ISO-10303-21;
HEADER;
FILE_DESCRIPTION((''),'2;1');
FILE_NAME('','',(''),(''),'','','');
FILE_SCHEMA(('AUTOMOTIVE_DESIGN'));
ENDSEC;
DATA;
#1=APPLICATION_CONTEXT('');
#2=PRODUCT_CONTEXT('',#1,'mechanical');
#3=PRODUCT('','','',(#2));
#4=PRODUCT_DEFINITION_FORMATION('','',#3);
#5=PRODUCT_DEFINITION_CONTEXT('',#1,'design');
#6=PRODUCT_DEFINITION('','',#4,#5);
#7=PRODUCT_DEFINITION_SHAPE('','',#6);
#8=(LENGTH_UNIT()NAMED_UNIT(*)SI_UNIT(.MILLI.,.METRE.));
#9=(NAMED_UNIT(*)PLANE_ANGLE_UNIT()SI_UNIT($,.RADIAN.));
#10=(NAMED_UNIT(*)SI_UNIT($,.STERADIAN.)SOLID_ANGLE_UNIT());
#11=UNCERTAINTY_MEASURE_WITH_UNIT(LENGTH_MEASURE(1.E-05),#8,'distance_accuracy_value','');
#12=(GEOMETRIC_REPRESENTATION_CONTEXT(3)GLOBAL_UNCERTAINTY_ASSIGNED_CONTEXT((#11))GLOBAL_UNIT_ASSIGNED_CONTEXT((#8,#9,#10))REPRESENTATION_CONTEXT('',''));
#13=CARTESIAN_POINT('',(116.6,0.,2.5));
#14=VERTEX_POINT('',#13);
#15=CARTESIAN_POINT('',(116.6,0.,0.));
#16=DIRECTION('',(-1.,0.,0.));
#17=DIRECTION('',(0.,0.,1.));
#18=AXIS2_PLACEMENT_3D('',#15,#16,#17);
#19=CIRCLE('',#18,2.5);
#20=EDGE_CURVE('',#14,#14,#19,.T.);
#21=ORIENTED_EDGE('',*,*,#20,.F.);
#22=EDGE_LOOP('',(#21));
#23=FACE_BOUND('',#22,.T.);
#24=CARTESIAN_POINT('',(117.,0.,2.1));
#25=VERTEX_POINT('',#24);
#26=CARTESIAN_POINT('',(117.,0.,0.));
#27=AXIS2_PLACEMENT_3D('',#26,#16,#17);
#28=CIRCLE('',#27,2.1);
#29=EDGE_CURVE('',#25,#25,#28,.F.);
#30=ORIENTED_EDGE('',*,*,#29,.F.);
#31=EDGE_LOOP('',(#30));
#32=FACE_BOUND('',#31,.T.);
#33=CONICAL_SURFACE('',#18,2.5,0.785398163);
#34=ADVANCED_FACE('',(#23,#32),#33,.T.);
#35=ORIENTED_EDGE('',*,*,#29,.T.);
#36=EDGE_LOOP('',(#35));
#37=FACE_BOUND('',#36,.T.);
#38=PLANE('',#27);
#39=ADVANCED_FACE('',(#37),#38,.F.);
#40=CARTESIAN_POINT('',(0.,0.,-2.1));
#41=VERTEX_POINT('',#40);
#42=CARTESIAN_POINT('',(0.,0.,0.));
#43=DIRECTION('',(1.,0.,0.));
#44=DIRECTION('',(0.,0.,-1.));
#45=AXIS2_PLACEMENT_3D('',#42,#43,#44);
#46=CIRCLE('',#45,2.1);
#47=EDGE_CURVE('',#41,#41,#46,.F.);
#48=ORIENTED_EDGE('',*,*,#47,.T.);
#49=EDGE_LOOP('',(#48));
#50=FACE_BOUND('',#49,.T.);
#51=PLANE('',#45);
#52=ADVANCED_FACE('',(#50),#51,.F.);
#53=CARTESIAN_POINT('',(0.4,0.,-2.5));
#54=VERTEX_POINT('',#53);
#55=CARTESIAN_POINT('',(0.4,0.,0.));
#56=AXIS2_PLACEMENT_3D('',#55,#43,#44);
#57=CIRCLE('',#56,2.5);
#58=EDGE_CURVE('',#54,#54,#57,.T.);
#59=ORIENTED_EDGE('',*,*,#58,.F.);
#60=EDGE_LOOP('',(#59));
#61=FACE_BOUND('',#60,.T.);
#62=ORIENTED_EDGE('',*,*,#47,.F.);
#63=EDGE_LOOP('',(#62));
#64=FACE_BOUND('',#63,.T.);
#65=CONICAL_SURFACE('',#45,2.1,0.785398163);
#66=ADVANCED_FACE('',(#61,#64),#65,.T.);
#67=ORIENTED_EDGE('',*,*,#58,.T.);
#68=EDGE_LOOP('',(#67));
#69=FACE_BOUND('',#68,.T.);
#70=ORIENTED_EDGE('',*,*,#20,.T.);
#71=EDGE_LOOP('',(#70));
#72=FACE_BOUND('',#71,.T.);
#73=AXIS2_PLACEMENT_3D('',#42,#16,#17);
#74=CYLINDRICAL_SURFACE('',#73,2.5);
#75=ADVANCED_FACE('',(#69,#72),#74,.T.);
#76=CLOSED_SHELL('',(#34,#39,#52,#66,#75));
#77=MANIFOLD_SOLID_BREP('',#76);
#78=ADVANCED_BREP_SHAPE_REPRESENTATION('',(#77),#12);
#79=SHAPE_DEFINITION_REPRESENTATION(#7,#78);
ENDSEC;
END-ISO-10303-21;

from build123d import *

# Parameters (mm, degrees)
SKETCH1_W     = 117
SKETCH1_H     = 2.5
CHAMFER1_SIZE = 0.4


with BuildPart() as part:
    # Sketch1 → Revolve1 (revolve)
    with BuildSketch(Plane.XY):
        with Locations((58.5, 1.25)):
            Rectangle(SKETCH1_W, SKETCH1_H)
    revolve(axis=Axis((0, 0, 0), (1, 0, 0)))

    # Chamfer1
    chamfer1_edges = [part.edges().sort_by_distance(p)[0] for p in [
        (117, -2.5, 0),
        (0, -2.5, 0),
    ]]
    chamfer(chamfer1_edges, length=CHAMFER1_SIZE)


solid = part.part
